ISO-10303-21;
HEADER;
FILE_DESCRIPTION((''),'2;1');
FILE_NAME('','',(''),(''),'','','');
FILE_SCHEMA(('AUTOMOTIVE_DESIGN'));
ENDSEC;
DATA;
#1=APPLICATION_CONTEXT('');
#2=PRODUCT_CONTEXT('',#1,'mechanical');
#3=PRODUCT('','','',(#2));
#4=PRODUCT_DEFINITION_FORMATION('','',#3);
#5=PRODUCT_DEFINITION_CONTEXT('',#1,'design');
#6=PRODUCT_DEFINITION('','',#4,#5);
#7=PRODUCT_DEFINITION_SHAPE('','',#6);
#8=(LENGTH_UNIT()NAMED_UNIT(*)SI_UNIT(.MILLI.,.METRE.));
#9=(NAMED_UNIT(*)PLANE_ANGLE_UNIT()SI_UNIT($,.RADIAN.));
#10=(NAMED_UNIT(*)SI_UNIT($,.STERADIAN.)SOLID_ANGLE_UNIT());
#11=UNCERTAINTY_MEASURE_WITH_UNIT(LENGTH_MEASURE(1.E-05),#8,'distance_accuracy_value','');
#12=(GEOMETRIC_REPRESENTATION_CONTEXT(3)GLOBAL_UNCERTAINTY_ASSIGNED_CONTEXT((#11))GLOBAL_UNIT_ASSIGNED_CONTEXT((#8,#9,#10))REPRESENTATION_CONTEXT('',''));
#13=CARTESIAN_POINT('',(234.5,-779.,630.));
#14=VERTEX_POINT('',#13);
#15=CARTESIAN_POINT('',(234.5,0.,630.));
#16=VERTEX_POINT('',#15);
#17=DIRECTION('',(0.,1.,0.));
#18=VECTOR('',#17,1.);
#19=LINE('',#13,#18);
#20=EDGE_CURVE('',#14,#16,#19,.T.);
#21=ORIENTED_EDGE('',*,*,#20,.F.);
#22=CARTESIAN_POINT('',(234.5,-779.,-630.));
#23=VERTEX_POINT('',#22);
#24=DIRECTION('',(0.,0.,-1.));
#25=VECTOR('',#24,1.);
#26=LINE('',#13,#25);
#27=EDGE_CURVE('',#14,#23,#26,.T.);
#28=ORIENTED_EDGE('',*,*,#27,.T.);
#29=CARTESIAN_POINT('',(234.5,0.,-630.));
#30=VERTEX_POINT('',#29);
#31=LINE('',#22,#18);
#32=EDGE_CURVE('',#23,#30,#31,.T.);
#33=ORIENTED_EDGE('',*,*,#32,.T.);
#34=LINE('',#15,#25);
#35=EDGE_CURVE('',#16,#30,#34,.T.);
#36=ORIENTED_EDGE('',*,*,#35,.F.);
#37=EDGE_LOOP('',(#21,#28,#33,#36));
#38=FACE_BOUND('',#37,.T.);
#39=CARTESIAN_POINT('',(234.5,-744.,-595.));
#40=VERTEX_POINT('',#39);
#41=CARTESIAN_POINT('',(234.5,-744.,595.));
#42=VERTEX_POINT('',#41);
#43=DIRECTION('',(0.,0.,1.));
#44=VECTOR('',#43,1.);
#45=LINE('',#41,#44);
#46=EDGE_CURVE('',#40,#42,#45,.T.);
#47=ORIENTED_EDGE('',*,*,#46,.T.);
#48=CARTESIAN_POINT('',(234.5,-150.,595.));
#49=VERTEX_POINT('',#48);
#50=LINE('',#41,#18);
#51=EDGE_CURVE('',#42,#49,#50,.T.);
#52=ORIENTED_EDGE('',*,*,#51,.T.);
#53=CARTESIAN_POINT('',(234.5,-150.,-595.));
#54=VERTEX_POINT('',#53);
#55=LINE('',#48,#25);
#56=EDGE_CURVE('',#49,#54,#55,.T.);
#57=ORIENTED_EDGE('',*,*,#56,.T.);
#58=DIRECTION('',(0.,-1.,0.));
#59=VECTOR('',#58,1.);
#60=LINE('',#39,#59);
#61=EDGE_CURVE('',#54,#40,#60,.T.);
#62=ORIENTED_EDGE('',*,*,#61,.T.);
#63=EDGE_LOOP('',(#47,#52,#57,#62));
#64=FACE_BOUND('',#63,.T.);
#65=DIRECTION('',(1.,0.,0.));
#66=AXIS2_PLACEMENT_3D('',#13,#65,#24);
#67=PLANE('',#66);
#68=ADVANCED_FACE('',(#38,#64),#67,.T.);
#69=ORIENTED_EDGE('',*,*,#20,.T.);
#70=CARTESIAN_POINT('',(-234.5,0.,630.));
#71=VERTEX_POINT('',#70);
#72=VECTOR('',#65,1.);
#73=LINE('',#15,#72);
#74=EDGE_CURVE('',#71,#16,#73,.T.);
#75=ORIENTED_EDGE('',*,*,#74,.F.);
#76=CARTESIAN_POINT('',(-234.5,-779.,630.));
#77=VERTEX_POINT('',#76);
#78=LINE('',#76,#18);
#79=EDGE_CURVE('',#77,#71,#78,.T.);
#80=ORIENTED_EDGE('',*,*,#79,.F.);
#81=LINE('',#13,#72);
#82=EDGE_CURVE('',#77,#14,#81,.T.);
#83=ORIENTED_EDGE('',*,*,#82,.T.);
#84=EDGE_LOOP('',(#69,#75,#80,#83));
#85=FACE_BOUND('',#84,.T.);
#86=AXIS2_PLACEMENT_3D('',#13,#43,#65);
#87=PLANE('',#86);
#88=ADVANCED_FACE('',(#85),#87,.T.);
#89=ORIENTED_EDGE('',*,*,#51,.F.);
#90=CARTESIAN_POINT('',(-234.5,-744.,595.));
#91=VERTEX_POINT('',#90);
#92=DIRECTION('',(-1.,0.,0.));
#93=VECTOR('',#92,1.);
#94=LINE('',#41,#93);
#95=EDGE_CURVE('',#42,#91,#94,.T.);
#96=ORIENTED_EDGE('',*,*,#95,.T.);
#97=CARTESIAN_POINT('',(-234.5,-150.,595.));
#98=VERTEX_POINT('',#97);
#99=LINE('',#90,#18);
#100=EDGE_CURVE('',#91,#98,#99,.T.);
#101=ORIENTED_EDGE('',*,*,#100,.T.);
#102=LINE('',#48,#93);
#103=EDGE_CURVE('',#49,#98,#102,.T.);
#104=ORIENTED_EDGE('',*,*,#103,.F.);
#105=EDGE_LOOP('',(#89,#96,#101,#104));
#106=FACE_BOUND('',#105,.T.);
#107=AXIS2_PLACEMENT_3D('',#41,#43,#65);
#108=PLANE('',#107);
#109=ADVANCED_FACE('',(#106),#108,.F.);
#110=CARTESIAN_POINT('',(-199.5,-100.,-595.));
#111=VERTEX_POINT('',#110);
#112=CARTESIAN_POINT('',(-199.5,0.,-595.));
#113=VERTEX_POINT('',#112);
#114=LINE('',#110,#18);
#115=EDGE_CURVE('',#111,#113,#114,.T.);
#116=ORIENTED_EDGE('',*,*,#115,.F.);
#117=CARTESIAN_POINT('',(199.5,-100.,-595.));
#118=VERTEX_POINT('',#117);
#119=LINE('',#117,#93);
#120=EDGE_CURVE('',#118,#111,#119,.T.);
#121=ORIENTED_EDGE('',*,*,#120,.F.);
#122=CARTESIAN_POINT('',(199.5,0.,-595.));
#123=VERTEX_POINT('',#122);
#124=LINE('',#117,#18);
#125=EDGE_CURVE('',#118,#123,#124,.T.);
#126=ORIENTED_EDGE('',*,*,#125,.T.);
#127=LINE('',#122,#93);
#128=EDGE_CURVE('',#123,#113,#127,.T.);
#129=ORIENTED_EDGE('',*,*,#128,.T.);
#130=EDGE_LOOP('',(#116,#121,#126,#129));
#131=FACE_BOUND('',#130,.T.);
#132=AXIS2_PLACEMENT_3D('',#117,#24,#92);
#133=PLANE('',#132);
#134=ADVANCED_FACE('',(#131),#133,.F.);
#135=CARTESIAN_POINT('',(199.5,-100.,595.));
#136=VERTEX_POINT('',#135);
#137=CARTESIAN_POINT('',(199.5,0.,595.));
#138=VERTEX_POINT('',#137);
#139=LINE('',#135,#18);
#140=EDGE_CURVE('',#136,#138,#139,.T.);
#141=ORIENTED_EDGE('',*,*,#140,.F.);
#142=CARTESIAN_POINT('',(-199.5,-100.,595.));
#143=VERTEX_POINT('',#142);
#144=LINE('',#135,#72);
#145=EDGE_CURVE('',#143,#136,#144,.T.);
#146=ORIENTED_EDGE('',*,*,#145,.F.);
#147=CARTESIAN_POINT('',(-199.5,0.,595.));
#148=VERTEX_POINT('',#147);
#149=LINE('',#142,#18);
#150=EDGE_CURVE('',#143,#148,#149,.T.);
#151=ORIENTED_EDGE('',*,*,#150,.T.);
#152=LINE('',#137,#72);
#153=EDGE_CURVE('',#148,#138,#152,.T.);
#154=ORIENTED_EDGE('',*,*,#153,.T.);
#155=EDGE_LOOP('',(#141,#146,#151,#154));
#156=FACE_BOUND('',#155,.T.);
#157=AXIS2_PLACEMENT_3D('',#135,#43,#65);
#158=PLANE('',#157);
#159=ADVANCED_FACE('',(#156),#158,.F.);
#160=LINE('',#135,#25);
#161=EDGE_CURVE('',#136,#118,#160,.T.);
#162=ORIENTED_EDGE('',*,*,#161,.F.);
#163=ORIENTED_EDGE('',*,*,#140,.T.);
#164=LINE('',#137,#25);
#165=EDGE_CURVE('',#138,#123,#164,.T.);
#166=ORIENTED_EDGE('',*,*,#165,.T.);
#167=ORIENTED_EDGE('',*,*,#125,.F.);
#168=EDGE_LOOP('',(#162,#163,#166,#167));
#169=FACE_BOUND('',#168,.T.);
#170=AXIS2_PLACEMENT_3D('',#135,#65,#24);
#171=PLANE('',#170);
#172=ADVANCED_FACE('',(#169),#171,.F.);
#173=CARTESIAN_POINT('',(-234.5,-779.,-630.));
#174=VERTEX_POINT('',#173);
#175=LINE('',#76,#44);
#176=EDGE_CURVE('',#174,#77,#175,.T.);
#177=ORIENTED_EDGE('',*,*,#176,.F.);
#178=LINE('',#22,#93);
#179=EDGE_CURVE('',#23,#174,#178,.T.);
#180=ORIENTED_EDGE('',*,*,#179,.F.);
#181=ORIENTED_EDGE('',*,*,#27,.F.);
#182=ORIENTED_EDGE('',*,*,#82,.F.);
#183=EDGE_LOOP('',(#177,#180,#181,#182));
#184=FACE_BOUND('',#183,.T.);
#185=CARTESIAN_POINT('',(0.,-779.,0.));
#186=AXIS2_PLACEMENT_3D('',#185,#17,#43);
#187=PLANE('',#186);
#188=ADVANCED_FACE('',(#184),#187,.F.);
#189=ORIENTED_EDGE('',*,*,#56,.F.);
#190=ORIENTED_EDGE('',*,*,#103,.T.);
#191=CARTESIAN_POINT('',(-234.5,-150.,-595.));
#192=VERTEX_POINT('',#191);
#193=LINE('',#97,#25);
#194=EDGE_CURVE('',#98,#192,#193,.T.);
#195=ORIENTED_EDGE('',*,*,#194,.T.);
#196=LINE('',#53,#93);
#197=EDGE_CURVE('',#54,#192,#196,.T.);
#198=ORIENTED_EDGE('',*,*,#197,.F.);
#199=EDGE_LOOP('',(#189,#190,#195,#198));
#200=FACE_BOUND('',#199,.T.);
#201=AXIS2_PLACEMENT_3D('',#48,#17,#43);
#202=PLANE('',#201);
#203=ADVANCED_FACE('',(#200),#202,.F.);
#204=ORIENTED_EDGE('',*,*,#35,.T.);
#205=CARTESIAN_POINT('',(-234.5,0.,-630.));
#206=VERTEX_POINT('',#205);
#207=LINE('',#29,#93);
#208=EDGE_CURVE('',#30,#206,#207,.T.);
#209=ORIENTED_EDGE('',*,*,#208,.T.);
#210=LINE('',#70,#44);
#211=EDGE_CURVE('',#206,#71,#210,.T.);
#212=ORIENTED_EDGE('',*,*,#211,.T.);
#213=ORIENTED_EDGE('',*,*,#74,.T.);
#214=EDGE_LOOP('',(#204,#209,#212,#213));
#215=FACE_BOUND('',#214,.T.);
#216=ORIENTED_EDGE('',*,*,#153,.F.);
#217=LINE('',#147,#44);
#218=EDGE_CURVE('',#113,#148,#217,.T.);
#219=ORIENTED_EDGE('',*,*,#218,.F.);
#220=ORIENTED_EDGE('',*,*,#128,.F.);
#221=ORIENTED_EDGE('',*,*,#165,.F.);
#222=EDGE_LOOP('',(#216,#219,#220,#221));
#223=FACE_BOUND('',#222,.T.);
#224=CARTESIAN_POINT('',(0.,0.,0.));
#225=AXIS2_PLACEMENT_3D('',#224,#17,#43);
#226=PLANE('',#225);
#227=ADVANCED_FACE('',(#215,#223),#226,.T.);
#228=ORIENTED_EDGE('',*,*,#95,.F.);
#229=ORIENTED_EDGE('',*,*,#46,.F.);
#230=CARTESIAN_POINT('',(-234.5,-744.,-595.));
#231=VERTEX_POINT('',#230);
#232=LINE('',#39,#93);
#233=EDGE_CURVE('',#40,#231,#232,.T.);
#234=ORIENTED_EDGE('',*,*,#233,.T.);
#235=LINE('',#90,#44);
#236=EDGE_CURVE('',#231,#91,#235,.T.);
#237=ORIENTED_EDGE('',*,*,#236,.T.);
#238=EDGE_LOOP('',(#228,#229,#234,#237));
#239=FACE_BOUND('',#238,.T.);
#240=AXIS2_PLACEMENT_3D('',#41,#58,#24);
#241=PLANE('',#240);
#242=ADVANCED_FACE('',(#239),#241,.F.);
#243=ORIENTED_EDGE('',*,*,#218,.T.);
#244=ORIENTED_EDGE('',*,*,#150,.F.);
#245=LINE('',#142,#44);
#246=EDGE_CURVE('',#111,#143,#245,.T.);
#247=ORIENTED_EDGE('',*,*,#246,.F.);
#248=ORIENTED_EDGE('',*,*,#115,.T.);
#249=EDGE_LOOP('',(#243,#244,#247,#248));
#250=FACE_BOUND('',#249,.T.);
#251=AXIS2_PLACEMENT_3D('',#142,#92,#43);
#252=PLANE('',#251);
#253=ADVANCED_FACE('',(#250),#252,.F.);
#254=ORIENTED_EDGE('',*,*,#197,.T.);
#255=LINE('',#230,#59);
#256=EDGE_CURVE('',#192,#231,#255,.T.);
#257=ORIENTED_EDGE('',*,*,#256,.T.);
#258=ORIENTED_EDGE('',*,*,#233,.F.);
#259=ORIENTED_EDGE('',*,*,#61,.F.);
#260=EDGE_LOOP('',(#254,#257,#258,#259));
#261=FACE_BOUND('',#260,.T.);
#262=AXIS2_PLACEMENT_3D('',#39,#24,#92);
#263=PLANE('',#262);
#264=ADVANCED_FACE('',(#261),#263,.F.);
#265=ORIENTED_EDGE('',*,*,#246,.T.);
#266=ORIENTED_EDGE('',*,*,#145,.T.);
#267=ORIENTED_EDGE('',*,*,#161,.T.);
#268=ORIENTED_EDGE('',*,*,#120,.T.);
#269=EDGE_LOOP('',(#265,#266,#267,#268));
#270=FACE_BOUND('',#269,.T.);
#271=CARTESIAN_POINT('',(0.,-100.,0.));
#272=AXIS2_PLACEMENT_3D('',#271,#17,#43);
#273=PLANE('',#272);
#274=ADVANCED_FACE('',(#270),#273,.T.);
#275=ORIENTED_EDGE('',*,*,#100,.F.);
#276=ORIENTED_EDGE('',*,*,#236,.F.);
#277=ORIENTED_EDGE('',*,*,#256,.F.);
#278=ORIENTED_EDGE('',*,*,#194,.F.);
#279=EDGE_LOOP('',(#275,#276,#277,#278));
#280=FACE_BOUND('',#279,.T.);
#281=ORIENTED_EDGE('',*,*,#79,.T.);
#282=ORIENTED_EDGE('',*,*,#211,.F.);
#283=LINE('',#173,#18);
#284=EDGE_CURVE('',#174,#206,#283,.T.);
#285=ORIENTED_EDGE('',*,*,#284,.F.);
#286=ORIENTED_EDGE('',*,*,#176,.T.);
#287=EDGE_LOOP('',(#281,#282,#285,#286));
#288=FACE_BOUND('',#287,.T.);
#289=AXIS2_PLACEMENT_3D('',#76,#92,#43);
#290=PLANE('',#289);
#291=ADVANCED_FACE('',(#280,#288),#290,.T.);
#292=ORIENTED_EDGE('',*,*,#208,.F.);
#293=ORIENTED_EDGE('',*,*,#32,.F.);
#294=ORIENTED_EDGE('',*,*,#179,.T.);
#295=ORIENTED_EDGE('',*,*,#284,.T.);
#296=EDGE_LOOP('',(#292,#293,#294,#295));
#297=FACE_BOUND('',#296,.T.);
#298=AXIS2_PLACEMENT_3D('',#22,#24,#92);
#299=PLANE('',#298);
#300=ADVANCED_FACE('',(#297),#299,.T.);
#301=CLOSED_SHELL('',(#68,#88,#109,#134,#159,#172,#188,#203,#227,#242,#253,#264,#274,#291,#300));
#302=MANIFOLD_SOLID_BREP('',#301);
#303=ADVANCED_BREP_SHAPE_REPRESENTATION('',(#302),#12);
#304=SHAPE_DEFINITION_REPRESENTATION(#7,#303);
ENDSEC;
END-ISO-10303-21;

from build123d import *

# Parameters (mm, degrees)
SKETCH1_W           = 469
SKETCH1_H           = 1260
BOSS_EXTRUDE1_DEPTH = 779
SKETCH2_W           = 399
SKETCH2_H           = 1190
CUT_EXTRUDE1_DEPTH  = 100
SKETCH3_W           = 1190
SKETCH3_H           = 594
CUT_EXTRUDE3_DEPTH  = 1107.210649018


with BuildPart() as part:
    # Sketch1 → Boss-Extrude1 (new body)
    with BuildSketch(Plane(origin=(0, 0, 0), x_dir=(1, 0, 0), z_dir=(0, 1, 0))):
        Rectangle(SKETCH1_W, SKETCH1_H)
    extrude(amount=-BOSS_EXTRUDE1_DEPTH)

    # Sketch2 → Cut-Extrude1 (cut)
    with BuildSketch(Plane(origin=(0, 0, 0), x_dir=(1, 0, 0), z_dir=(0, 1, 0))):
        Rectangle(SKETCH2_W, SKETCH2_H)
    extrude(amount=-CUT_EXTRUDE1_DEPTH, mode=Mode.SUBTRACT)

    # Sketch3 → Cut-Extrude3 (cut, through all)
    with BuildSketch(Plane.ZY.offset(234.5)):
        with Locations((0, -447)):
            Rectangle(SKETCH3_W, SKETCH3_H)
    extrude(amount=-CUT_EXTRUDE3_DEPTH, mode=Mode.SUBTRACT)


solid = part.part
